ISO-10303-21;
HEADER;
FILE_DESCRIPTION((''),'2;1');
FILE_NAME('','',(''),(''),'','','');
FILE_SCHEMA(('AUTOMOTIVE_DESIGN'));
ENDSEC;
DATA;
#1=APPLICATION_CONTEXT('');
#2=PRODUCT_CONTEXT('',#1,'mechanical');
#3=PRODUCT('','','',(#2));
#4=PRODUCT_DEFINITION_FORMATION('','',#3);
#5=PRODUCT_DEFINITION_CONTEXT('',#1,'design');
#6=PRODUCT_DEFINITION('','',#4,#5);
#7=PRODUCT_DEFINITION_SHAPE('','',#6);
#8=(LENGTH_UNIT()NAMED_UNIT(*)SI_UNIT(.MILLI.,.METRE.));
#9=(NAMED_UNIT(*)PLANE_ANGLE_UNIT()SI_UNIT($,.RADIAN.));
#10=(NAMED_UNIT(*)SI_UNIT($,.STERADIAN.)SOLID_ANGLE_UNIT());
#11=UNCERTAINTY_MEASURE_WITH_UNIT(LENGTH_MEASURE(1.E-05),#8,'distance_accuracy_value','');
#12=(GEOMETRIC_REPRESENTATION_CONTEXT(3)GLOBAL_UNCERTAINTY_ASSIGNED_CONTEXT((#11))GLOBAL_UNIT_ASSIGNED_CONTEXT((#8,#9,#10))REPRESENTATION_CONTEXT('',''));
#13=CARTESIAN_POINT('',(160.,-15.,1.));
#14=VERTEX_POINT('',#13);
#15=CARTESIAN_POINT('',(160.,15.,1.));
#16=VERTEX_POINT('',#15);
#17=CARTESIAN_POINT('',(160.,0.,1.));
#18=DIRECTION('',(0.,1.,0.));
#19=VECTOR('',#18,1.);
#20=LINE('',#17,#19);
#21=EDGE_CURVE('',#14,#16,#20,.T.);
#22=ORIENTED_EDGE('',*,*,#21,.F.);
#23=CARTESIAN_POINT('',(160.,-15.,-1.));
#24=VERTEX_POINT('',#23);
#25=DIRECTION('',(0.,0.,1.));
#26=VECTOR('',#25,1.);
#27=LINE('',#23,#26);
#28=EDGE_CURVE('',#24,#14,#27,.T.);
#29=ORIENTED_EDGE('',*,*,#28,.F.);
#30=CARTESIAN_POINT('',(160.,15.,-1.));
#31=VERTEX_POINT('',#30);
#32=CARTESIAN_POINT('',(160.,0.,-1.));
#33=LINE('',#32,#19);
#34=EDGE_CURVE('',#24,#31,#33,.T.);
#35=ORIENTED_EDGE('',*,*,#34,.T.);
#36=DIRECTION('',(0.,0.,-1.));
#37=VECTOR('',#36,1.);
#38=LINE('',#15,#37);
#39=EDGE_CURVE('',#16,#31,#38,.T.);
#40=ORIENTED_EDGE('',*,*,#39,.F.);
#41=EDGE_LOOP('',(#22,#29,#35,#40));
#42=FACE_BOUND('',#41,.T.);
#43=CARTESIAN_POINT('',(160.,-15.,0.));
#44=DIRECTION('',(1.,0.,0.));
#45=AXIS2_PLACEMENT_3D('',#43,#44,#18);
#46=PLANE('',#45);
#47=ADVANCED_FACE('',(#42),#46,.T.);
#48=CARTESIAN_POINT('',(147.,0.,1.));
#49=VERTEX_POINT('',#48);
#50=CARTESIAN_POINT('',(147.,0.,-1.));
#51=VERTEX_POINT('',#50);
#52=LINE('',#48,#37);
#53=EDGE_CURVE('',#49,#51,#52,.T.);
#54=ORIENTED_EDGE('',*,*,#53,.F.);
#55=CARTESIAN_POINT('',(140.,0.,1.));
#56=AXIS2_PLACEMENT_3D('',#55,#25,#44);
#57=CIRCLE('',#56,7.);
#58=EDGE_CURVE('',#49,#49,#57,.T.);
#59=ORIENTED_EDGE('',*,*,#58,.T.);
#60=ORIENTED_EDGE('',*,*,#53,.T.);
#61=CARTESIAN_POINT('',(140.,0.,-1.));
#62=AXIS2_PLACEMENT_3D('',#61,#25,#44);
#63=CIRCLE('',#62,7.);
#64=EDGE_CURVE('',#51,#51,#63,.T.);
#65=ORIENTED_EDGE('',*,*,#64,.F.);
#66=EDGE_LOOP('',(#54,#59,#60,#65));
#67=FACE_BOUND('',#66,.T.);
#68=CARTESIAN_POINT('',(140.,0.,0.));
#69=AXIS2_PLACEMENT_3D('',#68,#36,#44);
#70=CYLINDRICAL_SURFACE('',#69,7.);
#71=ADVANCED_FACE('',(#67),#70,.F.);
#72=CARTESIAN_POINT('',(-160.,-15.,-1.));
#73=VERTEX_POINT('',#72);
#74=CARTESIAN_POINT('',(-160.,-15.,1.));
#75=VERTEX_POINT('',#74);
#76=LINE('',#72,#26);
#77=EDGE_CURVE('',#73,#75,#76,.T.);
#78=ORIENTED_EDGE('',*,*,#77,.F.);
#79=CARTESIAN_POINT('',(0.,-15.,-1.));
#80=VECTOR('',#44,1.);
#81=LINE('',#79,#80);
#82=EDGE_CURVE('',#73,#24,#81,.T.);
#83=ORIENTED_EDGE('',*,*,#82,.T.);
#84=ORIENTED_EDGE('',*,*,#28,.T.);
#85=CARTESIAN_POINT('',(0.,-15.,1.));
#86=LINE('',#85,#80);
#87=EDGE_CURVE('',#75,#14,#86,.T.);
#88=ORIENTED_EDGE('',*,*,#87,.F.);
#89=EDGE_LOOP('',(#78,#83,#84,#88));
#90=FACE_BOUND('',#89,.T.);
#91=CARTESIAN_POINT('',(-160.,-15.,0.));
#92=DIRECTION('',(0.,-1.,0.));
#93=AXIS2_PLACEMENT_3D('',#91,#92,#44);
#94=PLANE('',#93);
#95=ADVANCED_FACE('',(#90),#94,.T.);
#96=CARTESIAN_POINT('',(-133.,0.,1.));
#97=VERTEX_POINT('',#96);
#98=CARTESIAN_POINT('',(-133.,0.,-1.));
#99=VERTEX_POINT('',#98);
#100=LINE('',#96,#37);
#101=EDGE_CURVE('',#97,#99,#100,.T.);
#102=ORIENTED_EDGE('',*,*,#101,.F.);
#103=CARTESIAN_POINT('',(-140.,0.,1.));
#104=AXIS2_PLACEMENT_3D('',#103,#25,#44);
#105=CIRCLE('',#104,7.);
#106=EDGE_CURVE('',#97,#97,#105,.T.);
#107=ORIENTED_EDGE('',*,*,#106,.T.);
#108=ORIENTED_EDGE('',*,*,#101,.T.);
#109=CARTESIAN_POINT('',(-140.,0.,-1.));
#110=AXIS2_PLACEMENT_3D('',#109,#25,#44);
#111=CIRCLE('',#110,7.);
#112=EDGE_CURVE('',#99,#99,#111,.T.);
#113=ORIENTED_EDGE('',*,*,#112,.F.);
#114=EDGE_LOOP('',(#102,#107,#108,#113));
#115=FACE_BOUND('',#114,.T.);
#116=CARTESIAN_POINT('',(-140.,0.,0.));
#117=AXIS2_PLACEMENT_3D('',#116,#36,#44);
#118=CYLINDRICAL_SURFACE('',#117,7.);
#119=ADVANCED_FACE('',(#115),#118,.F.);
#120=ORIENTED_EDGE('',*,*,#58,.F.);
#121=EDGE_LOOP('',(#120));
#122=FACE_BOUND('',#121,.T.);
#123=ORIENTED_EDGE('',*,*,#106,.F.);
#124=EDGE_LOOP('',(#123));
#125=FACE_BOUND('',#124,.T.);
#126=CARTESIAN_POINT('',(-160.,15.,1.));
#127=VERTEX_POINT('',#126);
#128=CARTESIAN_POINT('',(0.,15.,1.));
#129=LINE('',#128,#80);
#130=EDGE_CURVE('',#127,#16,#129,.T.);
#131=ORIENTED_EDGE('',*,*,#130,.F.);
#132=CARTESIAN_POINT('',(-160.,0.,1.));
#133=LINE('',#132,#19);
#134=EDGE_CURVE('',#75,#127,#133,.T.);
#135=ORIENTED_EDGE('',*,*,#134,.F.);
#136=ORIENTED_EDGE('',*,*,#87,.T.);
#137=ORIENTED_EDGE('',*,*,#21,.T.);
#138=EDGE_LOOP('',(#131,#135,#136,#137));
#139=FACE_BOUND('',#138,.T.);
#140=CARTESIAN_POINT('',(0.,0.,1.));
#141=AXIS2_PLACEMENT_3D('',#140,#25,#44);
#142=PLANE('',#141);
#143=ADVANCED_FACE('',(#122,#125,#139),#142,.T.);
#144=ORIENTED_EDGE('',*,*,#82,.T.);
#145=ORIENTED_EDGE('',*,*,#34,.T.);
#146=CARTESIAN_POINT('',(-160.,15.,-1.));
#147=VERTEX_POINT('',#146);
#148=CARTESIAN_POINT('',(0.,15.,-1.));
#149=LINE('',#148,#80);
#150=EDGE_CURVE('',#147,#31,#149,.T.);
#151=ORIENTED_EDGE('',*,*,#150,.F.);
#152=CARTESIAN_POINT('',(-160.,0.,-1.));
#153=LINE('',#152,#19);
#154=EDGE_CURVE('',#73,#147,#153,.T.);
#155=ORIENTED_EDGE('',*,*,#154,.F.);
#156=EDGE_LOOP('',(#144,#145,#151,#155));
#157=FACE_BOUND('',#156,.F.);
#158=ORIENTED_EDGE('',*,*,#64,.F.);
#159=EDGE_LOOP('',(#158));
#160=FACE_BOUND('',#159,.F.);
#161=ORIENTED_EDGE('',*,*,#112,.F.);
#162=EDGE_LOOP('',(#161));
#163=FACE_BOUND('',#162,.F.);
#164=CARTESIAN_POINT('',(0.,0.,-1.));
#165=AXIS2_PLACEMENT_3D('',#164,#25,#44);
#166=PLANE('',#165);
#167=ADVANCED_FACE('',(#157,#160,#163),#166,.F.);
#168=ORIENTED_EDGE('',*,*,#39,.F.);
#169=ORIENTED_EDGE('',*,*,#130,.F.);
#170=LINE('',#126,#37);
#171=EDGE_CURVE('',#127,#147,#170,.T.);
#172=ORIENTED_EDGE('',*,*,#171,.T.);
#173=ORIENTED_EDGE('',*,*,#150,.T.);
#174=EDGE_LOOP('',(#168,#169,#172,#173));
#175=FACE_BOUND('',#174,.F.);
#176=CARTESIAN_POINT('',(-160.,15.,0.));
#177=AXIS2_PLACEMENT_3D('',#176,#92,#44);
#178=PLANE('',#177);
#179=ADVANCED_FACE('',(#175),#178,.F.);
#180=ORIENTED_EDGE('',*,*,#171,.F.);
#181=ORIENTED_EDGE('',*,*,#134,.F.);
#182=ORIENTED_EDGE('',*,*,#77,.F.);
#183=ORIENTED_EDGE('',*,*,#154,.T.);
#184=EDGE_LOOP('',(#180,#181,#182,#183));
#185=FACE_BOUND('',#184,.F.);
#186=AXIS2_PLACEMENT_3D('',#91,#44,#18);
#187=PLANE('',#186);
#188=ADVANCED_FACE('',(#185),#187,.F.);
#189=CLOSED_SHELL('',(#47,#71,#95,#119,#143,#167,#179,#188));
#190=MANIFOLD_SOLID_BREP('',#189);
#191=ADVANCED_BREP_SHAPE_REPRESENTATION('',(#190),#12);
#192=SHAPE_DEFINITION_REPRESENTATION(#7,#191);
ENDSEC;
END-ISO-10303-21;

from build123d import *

# Parameters (mm, degrees)
F1_W     = 320
F1_H     = 30
F1_R     = 7
F2_DEPTH = 1


with BuildPart() as f2:
    # F1 (on face) → F2 (new body, symmetric)
    with BuildSketch(Plane.XY):
        Rectangle(F1_W, F1_H)
        with Locations((-140, 0)):
            Circle(F1_R, mode=Mode.SUBTRACT)
        with Locations((140, 0)):
            Circle(F1_R, mode=Mode.SUBTRACT)
    extrude(amount=F2_DEPTH, both=True)


solid = f2.part
